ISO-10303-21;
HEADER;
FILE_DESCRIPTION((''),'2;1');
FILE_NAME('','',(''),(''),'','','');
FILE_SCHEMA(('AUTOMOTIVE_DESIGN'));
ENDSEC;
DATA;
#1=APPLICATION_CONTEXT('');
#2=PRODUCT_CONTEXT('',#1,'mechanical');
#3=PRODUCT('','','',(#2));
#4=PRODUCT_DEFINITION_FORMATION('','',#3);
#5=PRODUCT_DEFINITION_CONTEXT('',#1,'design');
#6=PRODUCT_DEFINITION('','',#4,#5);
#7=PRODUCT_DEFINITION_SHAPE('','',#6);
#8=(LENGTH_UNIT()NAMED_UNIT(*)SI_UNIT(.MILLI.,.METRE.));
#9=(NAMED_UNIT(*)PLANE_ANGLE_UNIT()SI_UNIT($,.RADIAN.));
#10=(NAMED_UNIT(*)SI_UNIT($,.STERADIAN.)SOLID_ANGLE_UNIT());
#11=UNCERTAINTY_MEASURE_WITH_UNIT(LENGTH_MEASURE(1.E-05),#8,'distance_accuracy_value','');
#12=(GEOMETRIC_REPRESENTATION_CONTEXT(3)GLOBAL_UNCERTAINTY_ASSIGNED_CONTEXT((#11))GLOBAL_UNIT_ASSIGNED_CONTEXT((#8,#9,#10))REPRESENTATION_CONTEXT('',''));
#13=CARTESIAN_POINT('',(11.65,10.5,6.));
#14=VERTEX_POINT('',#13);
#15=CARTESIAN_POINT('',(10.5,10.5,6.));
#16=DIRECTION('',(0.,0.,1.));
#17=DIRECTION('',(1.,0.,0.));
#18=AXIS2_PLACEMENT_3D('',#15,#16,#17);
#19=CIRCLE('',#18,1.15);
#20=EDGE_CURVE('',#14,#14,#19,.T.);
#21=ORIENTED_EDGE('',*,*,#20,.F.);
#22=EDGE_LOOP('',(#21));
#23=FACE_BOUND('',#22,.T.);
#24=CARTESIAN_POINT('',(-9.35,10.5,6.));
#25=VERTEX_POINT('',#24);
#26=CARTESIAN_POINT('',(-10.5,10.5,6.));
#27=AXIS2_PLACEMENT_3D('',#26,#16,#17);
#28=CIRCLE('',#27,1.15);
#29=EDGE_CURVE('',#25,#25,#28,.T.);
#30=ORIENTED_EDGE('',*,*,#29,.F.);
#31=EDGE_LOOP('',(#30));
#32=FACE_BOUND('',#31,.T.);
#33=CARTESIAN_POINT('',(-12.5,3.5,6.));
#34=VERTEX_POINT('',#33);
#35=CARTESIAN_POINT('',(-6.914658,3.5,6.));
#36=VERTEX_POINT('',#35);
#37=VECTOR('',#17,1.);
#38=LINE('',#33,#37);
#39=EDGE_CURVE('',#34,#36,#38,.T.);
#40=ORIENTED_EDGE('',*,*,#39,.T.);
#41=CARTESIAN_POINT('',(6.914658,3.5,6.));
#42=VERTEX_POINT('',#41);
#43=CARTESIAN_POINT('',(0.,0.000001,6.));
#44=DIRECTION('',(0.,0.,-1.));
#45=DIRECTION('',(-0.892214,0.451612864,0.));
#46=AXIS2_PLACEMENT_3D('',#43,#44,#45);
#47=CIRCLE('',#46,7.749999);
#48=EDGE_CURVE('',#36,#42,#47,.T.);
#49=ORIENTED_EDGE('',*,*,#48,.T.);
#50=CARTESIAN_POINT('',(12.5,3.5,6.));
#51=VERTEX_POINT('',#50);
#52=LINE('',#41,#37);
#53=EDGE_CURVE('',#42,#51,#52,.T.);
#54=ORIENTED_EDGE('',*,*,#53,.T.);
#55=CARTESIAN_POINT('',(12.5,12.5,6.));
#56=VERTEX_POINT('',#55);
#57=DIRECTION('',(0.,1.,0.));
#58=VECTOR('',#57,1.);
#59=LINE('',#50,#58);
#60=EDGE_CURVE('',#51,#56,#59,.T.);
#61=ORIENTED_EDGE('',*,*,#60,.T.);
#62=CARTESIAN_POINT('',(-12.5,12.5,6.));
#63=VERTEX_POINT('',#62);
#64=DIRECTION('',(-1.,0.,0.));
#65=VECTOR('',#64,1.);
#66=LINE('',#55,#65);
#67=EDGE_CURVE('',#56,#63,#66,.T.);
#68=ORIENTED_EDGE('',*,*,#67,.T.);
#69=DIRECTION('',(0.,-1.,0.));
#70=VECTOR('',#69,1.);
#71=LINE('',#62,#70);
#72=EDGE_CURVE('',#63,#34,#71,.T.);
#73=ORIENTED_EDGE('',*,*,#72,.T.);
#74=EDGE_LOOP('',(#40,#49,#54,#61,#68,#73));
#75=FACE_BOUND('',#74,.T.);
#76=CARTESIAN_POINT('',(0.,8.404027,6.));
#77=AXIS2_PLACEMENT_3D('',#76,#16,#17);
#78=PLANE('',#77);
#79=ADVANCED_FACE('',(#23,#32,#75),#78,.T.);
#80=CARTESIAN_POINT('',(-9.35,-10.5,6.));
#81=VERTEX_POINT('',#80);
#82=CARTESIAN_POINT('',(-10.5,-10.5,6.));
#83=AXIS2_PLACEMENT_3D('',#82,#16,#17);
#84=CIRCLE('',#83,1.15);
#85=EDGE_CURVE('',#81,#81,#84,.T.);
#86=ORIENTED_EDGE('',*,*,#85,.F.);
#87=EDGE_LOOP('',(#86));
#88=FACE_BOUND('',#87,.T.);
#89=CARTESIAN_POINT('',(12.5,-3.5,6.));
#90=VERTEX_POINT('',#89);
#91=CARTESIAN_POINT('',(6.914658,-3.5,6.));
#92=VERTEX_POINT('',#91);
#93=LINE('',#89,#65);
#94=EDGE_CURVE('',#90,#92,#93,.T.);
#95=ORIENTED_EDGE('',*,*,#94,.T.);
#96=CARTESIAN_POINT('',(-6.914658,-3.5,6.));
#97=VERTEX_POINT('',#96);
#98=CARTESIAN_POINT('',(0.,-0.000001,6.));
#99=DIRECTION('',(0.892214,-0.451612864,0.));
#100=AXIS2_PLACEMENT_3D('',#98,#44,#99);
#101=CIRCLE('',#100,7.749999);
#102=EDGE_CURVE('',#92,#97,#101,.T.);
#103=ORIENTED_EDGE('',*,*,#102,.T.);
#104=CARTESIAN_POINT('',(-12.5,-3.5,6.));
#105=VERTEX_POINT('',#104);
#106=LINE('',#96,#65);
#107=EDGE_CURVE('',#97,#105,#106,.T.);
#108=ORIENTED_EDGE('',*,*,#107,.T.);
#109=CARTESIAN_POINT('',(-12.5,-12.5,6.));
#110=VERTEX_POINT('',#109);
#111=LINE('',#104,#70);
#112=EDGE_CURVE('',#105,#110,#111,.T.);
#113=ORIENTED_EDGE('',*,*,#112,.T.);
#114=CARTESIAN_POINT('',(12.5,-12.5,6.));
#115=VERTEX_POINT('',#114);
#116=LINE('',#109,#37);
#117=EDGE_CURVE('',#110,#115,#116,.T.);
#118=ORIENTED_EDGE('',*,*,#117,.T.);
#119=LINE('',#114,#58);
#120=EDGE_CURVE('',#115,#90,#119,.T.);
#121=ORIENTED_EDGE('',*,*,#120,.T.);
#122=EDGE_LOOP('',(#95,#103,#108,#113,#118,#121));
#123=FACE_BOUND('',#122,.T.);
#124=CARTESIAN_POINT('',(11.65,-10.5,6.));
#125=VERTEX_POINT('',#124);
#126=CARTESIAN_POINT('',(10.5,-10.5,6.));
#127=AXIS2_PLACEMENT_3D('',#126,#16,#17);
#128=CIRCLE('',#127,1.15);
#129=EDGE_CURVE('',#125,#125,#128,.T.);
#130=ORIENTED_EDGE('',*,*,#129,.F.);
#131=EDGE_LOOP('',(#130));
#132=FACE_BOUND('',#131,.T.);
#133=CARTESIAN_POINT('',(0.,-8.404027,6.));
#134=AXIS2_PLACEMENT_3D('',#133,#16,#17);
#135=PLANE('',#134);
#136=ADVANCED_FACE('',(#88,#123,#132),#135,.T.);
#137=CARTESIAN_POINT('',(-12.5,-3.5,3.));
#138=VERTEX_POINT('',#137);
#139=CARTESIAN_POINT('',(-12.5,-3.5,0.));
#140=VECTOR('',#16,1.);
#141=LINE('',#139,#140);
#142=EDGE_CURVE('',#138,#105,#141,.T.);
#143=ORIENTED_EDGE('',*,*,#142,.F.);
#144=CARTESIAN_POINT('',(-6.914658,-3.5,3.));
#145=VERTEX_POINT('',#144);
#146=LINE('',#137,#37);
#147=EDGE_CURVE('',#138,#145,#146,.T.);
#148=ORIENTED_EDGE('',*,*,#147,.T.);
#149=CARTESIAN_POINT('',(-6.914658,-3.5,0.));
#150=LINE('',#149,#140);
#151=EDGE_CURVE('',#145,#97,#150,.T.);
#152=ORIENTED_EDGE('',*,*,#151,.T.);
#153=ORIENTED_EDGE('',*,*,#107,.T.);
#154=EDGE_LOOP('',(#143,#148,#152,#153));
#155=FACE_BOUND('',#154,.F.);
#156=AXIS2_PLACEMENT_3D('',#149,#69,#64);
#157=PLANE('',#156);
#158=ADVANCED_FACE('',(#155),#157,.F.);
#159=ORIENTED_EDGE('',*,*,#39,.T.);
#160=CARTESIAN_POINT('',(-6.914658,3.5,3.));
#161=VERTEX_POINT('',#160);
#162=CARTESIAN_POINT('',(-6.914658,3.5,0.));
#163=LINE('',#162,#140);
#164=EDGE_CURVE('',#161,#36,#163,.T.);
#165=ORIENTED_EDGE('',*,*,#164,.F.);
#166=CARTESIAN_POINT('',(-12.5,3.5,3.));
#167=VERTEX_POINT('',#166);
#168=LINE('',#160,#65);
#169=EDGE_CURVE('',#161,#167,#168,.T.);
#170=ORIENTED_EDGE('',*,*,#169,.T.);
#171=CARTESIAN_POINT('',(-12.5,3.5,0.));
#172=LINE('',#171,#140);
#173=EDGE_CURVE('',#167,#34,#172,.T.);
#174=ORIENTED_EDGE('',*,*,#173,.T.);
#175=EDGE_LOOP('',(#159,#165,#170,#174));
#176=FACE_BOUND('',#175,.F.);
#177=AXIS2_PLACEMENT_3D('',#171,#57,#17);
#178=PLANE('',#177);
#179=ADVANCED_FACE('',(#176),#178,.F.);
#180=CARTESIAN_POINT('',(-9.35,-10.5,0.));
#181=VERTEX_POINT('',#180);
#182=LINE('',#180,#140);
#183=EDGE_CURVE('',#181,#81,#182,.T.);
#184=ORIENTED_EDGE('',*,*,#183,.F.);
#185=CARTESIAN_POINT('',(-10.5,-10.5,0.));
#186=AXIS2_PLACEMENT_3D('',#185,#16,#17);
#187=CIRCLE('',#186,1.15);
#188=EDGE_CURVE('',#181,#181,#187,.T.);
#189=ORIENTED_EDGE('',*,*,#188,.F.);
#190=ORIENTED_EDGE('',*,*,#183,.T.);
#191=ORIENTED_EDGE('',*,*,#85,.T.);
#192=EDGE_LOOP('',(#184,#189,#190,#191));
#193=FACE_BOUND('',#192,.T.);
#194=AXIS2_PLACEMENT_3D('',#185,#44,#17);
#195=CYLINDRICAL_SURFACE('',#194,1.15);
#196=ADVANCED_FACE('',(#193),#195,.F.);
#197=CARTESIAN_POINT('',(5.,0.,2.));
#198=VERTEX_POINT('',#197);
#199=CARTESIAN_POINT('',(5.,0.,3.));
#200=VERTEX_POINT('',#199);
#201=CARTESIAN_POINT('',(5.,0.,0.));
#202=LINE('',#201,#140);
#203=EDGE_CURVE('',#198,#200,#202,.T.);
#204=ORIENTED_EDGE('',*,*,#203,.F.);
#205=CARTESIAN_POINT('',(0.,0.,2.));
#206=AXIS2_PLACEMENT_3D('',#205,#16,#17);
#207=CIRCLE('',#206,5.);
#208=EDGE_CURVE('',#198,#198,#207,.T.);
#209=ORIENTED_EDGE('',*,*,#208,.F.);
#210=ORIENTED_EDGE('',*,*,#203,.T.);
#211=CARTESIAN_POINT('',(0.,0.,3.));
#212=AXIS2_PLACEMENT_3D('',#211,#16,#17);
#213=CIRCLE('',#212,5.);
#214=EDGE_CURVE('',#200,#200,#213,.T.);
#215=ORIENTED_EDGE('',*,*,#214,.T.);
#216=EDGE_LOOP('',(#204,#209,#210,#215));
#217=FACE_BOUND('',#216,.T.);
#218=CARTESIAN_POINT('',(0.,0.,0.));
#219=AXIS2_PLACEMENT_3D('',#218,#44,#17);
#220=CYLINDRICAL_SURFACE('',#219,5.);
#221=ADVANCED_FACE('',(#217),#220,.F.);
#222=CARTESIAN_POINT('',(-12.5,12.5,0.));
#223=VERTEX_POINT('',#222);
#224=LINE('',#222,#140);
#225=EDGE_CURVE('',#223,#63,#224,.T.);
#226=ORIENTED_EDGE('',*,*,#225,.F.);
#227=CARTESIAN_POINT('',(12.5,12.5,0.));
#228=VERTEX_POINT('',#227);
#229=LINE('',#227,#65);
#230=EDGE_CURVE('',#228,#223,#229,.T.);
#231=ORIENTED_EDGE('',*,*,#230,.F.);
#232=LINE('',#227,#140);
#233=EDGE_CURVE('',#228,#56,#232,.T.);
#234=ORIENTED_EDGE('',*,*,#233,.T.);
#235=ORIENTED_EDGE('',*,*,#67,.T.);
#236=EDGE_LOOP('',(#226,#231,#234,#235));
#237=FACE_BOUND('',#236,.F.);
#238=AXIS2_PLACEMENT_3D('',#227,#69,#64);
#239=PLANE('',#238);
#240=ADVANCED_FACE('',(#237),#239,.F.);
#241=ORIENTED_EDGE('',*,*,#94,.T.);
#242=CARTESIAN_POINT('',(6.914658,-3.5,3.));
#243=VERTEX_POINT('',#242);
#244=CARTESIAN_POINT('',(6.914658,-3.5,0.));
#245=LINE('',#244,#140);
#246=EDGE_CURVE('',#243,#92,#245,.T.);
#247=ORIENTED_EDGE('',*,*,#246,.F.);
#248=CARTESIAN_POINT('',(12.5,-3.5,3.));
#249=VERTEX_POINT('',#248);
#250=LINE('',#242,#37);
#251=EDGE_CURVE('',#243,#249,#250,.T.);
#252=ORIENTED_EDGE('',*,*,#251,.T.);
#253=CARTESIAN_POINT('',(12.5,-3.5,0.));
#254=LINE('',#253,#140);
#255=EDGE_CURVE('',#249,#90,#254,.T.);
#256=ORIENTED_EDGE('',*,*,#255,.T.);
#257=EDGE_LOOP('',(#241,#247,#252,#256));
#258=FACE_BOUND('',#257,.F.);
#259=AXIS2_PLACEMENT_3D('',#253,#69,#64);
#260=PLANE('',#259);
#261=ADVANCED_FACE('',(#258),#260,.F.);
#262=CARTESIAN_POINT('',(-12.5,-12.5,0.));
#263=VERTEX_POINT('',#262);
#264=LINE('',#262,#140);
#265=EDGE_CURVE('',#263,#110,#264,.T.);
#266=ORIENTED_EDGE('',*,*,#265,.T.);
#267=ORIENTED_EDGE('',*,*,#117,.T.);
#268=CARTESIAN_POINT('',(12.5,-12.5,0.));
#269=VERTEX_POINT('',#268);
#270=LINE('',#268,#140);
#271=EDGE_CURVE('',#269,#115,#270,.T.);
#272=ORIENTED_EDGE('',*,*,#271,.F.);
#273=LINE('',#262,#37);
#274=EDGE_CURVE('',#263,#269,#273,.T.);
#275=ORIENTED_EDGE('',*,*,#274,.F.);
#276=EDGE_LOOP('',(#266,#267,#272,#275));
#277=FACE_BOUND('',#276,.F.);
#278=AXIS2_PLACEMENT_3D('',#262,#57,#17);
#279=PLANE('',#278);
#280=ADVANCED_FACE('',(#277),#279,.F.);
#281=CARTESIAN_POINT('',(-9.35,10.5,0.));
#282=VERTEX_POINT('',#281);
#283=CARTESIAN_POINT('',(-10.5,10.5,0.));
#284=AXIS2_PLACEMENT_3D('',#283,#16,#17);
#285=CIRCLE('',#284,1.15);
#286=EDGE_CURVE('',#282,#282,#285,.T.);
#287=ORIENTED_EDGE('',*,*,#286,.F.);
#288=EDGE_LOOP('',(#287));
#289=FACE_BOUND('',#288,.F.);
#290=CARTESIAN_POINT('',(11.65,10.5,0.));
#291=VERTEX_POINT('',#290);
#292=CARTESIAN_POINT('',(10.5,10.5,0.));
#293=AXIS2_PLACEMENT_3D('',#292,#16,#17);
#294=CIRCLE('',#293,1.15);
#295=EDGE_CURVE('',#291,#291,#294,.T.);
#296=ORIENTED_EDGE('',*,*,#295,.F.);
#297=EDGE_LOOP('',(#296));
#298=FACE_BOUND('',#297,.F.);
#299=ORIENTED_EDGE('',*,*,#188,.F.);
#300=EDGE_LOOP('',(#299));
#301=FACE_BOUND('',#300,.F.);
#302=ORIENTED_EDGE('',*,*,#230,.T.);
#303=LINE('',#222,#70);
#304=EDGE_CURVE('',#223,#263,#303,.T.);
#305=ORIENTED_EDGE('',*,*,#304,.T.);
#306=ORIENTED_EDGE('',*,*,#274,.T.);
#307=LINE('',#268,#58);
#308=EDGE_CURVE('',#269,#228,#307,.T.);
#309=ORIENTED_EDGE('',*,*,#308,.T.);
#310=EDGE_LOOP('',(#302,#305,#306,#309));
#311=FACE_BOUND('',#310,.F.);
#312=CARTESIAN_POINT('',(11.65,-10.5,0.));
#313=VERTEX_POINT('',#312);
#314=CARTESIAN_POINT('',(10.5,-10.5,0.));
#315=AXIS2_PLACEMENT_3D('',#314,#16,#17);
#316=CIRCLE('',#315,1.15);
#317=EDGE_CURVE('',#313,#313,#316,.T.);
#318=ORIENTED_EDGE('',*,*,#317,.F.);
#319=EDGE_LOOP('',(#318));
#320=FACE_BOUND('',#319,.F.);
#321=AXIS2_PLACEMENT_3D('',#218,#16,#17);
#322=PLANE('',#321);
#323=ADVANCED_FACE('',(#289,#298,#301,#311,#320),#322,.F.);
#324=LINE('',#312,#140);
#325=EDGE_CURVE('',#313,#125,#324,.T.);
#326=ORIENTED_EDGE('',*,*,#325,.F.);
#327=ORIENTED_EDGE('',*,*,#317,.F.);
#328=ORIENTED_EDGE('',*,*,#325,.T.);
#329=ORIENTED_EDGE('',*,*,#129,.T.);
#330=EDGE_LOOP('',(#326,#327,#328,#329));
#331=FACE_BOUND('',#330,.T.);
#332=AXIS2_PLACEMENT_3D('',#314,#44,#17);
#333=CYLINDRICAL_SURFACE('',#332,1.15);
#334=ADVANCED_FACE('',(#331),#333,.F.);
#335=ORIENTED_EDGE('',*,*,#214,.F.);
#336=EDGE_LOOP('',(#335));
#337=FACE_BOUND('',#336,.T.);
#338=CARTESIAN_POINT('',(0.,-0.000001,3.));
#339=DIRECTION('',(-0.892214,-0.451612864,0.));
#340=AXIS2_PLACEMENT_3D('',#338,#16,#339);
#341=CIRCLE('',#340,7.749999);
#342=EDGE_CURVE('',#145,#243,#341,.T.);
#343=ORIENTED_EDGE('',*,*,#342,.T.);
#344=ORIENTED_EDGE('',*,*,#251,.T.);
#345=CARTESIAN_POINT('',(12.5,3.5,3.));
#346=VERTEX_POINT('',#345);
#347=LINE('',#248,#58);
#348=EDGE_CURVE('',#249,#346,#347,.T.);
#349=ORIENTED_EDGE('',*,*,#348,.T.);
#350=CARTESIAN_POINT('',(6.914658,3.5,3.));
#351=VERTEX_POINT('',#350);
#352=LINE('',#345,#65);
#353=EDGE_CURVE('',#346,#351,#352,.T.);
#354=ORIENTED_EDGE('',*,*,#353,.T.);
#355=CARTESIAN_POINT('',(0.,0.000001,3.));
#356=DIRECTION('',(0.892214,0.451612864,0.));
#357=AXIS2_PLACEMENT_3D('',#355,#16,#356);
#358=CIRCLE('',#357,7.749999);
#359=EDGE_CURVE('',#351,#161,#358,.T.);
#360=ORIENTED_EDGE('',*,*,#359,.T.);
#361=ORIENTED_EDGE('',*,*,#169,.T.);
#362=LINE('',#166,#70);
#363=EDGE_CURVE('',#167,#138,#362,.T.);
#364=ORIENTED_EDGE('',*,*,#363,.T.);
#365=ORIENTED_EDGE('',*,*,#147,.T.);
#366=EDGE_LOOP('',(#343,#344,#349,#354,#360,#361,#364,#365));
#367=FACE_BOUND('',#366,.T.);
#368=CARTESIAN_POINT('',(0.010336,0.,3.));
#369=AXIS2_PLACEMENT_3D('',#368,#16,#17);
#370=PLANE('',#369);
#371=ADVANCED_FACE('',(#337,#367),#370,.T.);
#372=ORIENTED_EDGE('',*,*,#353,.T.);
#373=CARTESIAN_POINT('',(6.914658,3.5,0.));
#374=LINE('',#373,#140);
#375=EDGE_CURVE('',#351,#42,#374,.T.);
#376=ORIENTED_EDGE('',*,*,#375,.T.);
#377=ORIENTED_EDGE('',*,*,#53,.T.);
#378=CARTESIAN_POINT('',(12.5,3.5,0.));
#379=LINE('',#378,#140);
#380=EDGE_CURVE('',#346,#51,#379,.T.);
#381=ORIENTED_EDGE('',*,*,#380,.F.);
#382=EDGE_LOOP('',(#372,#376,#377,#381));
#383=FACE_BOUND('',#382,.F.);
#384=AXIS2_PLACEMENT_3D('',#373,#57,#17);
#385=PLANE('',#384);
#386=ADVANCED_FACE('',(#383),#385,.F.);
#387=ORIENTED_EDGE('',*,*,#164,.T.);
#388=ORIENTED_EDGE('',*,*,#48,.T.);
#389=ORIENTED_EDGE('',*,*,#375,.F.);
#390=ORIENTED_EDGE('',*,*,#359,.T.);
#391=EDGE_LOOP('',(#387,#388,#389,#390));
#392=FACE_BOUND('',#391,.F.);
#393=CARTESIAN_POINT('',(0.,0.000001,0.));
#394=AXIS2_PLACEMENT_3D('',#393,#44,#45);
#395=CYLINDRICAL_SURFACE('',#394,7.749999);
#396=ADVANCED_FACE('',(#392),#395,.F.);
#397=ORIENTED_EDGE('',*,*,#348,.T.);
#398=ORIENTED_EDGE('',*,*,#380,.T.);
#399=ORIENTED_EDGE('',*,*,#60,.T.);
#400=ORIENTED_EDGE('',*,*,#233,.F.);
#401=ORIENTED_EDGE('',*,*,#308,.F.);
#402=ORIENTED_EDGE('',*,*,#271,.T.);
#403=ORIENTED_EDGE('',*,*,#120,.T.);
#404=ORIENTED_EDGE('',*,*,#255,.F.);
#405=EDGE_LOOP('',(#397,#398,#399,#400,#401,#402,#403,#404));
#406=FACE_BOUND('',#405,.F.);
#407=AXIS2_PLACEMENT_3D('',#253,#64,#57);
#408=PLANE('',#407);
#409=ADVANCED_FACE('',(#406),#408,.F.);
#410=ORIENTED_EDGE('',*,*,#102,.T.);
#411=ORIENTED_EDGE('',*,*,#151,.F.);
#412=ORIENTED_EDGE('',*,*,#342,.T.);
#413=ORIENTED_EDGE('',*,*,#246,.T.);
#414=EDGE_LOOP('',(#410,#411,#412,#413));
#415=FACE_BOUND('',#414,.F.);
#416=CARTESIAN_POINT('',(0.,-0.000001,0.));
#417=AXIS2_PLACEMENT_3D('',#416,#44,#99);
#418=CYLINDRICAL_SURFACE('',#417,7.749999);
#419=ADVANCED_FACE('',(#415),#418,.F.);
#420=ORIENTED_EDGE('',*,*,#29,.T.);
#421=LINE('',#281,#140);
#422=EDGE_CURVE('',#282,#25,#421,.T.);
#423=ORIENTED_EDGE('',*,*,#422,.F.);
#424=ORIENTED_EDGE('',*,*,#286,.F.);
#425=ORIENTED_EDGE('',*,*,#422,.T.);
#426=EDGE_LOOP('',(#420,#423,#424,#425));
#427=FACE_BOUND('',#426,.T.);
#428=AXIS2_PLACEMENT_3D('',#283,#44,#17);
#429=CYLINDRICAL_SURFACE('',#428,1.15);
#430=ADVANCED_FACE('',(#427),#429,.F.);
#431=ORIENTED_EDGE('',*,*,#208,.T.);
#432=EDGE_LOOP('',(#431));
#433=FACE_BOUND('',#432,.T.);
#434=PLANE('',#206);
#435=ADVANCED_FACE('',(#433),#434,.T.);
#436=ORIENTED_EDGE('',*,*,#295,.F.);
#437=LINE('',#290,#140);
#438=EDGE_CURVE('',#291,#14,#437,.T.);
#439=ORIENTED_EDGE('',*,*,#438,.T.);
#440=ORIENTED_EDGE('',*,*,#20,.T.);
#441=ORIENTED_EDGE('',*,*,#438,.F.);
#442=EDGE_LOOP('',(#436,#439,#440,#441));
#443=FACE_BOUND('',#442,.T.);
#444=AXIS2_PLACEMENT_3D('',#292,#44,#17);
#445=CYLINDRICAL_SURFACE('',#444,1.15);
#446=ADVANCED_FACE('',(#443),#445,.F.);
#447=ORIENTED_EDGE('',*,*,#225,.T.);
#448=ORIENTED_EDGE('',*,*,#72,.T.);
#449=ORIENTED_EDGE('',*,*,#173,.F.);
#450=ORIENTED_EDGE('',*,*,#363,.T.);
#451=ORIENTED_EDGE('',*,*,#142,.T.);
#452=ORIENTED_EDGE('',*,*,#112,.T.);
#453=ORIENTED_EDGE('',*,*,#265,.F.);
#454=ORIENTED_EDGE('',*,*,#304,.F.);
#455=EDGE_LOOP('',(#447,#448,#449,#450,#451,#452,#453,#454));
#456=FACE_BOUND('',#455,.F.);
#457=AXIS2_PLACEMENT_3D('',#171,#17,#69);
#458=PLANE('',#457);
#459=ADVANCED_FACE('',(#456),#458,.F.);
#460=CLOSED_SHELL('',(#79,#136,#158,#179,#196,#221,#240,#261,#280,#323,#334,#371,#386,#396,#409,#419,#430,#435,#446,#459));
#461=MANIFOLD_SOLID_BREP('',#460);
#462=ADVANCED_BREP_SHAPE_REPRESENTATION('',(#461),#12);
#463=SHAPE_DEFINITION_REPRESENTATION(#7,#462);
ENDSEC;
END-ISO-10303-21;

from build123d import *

# Parameters (mm, degrees)
F0_R     = 5
F1_DEPTH = 3
F0_R_2   = 1.15
F2_DEPTH = 6
F3_DEPTH = 2


with BuildPart() as f1:
    # F0 (on Top) → F1 (new body)
    with BuildSketch(Plane.XY):
        with BuildLine():
            ThreePointArc((6.914658, -3.5), (7.538272, -1.799152), (7.75, 0))
            ThreePointArc((7.75, 0), (7.538272, 1.799152), (6.914658, 3.5))
            ThreePointArc((6.914658, 3.5), (0, 7.75), (-6.914658, 3.5))
            ThreePointArc((-6.914658, 3.5), (-7.75, 0), (-6.914658, -3.5))
            ThreePointArc((-6.914658, -3.5), (0, -7.75), (6.914658, -3.5))
        make_face()
        Circle(F0_R, mode=Mode.SUBTRACT)
        with BuildLine():
            ThreePointArc((-6.914658, -3.5), (-7.75, 0), (-6.914658, 3.5))
            Line((-6.914658, 3.5), (-12.5, 3.5))
            Line((-12.5, 3.5), (-12.5, -3.5))
            Line((-12.5, -3.5), (-6.914658, -3.5))
        make_face()
        with BuildLine():
            ThreePointArc((6.914658, 3.5), (7.538272, 1.799152), (7.75, 0))
            ThreePointArc((7.75, 0), (7.538272, -1.799152), (6.914658, -3.5))
            Line((6.914658, -3.5), (12.5, -3.5))
            Line((12.5, -3.5), (12.5, 3.5))
            Line((12.5, 3.5), (6.914658, 3.5))
        make_face()
    extrude(amount=F1_DEPTH)

    # F0 (on Top) → F2 (join)
    with BuildSketch(Plane.XY):
        with BuildLine():
            ThreePointArc((-6.914658, 3.5), (0, 7.75), (6.914658, 3.5))
            Line((6.914658, 3.5), (12.5, 3.5))
            Line((12.5, 3.5), (12.5, 12.5))
            Line((12.5, 12.5), (-12.5, 12.5))
            Line((-12.5, 12.5), (-12.5, 3.5))
            Line((-12.5, 3.5), (-6.914658, 3.5))
        make_face()
        with Locations((-10.5, 10.5)):
            Circle(F0_R_2, mode=Mode.SUBTRACT)
        with Locations((10.5, 10.5)):
            Circle(F0_R_2, mode=Mode.SUBTRACT)
        with BuildLine():
            Line((12.5, -3.5), (6.914658, -3.5))
            ThreePointArc((6.914658, -3.5), (0, -7.75), (-6.914658, -3.5))
            Line((-6.914658, -3.5), (-12.5, -3.5))
            Line((-12.5, -3.5), (-12.5, -12.5))
            Line((-12.5, -12.5), (12.5, -12.5))
            Line((12.5, -12.5), (12.5, -3.5))
        make_face()
        with Locations((-10.5, -10.5)):
            Circle(F0_R_2, mode=Mode.SUBTRACT)
        with Locations((10.5, -10.5)):
            Circle(F0_R_2, mode=Mode.SUBTRACT)
    extrude(amount=F2_DEPTH)

    # F0 (on Top) → F3 (join)
    with BuildSketch(Plane.XY):
        Circle(F0_R)
    extrude(amount=F3_DEPTH)


solid = f1.part
